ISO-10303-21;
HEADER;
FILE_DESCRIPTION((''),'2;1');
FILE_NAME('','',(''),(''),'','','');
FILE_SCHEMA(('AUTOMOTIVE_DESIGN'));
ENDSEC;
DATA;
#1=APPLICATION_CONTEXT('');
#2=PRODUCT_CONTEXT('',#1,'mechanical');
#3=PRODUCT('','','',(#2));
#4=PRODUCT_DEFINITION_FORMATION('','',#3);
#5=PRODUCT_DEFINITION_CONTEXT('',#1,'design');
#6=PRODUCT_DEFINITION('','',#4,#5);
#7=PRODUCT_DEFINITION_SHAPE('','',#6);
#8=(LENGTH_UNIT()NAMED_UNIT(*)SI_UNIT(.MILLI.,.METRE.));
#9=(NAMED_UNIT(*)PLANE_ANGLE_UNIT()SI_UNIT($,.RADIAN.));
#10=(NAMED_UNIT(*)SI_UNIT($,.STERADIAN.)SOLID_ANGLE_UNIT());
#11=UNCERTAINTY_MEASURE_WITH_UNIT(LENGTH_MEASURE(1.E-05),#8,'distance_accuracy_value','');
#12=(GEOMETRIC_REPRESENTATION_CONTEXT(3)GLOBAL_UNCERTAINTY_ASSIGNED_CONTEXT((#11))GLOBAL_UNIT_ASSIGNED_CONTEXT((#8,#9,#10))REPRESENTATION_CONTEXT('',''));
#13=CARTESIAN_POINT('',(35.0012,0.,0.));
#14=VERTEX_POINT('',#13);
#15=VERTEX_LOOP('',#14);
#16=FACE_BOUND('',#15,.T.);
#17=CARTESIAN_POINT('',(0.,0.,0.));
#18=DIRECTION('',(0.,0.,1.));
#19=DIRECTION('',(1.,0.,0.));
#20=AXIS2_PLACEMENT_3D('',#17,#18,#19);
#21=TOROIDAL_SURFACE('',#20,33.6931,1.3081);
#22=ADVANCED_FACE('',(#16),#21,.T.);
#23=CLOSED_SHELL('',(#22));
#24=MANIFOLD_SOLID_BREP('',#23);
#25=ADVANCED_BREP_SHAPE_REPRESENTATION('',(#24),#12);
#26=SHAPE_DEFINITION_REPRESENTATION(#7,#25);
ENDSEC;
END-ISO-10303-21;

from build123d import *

# Parameters (mm, degrees)
SKETCH1_R = 1.3081


with BuildPart() as part:
    # Sketch1 → Revolve1 (revolve)
    with BuildSketch(Plane(origin=(0, 0, 0), x_dir=(0, -1, 0), z_dir=(1, 0, 0))):
        with Locations((33.6931, 0)):
            Circle(SKETCH1_R)
    revolve(axis=Axis((0, 0, 0), (0, 0, -1)))


solid = part.part
